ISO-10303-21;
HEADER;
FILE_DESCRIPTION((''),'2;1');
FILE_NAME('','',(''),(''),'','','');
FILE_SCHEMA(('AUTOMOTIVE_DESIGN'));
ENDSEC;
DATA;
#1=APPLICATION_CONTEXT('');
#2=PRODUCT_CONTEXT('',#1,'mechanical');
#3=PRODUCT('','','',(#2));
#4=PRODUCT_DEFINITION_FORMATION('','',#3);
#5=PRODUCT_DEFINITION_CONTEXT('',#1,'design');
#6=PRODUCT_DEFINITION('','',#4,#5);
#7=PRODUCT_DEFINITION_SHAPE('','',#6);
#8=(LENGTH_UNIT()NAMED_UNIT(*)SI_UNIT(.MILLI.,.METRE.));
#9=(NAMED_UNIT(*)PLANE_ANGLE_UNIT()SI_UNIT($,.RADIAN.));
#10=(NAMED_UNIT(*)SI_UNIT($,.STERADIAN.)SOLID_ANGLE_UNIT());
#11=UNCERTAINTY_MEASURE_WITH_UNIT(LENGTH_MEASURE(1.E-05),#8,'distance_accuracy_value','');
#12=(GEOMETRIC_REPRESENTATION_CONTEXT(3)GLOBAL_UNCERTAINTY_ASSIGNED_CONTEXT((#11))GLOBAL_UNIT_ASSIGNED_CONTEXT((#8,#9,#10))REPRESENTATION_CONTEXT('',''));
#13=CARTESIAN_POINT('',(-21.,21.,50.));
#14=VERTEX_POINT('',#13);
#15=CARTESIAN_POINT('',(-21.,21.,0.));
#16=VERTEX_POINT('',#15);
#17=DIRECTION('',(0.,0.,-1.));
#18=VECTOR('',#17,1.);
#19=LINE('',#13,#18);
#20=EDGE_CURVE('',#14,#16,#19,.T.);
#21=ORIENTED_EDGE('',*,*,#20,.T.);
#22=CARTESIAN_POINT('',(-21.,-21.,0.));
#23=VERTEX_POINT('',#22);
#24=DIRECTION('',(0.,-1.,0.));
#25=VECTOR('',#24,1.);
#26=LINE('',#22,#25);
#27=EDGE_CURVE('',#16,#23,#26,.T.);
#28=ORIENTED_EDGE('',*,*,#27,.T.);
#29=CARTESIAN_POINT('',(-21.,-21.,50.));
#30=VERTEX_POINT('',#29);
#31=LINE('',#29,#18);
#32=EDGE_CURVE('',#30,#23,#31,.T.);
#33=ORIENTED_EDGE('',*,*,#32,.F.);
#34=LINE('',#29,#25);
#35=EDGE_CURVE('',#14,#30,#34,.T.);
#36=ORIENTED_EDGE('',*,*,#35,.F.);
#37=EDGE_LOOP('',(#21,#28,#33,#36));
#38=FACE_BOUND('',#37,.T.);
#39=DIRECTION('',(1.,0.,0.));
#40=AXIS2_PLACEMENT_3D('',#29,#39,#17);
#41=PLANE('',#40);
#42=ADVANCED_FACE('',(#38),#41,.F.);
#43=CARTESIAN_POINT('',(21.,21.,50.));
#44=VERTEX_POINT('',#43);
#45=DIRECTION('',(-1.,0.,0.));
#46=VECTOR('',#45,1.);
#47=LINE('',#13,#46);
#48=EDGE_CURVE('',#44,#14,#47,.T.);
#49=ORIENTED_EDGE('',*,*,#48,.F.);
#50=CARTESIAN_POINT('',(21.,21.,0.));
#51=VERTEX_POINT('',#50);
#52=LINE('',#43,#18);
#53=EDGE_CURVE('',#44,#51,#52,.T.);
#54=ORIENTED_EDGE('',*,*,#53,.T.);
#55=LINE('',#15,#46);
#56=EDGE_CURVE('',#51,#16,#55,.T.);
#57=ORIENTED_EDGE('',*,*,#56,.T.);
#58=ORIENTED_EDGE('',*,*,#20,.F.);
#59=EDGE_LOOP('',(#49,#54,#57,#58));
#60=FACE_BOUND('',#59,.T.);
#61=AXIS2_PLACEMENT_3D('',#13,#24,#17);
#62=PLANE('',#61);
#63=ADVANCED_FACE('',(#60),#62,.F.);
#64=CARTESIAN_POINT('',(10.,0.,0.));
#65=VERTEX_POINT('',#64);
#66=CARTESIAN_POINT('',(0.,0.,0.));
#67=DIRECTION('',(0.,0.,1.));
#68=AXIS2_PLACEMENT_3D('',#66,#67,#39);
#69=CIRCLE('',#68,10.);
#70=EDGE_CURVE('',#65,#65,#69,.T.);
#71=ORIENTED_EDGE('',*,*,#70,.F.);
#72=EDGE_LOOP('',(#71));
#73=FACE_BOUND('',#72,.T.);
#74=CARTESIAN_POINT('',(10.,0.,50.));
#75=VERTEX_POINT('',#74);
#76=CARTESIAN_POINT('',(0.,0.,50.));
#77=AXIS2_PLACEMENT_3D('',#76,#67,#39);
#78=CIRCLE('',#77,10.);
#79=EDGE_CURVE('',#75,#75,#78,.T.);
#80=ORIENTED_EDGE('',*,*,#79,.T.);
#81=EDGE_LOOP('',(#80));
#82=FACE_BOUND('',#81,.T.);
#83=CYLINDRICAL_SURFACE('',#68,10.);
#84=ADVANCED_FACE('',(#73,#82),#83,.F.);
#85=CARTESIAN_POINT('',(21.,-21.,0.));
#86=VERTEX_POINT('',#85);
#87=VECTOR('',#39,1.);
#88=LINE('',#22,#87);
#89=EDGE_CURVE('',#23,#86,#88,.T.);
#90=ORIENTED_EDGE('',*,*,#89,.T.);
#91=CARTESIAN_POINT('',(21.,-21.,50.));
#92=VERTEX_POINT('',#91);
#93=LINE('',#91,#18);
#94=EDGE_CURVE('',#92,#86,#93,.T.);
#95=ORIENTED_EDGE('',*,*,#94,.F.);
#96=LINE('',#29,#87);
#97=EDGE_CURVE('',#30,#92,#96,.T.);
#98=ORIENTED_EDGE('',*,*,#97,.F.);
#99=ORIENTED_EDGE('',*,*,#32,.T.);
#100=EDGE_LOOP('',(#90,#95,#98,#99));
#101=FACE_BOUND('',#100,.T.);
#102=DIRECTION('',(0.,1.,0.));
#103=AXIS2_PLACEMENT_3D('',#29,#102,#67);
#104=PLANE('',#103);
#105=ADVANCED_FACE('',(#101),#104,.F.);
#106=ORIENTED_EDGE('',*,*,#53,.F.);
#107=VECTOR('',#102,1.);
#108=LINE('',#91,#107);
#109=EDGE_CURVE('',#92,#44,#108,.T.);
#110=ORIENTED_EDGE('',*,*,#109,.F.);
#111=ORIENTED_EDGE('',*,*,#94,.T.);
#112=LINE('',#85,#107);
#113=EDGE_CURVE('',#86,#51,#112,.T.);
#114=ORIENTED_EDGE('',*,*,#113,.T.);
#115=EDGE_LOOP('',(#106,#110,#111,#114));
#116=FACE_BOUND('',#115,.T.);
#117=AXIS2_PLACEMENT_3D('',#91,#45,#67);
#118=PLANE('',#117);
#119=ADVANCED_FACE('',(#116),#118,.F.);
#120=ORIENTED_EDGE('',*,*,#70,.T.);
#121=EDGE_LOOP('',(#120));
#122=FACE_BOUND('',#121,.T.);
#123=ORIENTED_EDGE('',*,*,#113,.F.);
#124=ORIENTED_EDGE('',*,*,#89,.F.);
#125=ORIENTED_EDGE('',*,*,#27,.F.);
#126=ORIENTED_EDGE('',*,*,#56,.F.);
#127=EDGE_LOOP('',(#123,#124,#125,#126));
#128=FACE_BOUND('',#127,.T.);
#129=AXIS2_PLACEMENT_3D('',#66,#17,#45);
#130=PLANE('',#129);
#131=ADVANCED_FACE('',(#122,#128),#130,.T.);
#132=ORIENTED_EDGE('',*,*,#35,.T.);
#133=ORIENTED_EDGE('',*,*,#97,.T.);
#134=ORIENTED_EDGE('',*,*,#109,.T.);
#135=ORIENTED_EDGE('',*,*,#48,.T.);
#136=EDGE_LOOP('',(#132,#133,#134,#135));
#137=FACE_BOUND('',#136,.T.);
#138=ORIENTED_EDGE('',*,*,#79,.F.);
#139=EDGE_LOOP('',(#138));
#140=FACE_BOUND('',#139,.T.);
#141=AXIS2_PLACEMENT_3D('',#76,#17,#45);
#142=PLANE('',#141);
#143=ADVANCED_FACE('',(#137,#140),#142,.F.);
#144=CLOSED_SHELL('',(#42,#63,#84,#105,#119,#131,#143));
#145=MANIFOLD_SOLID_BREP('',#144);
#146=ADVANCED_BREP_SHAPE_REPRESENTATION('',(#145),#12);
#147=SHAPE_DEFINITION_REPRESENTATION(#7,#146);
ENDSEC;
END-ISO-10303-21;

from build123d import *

# Parameters (mm, degrees)
ESQUISSE1_W             = 42
ESQUISSE1_H             = 42
BOSS_EXTRU_1_DEPTH      = 50
ESQUISSE2_R             = 10
ENL_V_MAT_EXTRU_1_DEPTH = 59.154965394


with BuildPart() as part:
    # Esquisse1 → Boss.-Extru.1 (new body)
    with BuildSketch(Plane.XY):
        Rectangle(ESQUISSE1_W, ESQUISSE1_H)
    extrude(amount=BOSS_EXTRU_1_DEPTH)

    # Esquisse2 → Enlèv. mat.-Extru.1 (cut, through all)
    with BuildSketch(Plane.XY.offset(50)):
        Circle(ESQUISSE2_R)
    extrude(amount=-ENL_V_MAT_EXTRU_1_DEPTH, mode=Mode.SUBTRACT)


solid = part.part
